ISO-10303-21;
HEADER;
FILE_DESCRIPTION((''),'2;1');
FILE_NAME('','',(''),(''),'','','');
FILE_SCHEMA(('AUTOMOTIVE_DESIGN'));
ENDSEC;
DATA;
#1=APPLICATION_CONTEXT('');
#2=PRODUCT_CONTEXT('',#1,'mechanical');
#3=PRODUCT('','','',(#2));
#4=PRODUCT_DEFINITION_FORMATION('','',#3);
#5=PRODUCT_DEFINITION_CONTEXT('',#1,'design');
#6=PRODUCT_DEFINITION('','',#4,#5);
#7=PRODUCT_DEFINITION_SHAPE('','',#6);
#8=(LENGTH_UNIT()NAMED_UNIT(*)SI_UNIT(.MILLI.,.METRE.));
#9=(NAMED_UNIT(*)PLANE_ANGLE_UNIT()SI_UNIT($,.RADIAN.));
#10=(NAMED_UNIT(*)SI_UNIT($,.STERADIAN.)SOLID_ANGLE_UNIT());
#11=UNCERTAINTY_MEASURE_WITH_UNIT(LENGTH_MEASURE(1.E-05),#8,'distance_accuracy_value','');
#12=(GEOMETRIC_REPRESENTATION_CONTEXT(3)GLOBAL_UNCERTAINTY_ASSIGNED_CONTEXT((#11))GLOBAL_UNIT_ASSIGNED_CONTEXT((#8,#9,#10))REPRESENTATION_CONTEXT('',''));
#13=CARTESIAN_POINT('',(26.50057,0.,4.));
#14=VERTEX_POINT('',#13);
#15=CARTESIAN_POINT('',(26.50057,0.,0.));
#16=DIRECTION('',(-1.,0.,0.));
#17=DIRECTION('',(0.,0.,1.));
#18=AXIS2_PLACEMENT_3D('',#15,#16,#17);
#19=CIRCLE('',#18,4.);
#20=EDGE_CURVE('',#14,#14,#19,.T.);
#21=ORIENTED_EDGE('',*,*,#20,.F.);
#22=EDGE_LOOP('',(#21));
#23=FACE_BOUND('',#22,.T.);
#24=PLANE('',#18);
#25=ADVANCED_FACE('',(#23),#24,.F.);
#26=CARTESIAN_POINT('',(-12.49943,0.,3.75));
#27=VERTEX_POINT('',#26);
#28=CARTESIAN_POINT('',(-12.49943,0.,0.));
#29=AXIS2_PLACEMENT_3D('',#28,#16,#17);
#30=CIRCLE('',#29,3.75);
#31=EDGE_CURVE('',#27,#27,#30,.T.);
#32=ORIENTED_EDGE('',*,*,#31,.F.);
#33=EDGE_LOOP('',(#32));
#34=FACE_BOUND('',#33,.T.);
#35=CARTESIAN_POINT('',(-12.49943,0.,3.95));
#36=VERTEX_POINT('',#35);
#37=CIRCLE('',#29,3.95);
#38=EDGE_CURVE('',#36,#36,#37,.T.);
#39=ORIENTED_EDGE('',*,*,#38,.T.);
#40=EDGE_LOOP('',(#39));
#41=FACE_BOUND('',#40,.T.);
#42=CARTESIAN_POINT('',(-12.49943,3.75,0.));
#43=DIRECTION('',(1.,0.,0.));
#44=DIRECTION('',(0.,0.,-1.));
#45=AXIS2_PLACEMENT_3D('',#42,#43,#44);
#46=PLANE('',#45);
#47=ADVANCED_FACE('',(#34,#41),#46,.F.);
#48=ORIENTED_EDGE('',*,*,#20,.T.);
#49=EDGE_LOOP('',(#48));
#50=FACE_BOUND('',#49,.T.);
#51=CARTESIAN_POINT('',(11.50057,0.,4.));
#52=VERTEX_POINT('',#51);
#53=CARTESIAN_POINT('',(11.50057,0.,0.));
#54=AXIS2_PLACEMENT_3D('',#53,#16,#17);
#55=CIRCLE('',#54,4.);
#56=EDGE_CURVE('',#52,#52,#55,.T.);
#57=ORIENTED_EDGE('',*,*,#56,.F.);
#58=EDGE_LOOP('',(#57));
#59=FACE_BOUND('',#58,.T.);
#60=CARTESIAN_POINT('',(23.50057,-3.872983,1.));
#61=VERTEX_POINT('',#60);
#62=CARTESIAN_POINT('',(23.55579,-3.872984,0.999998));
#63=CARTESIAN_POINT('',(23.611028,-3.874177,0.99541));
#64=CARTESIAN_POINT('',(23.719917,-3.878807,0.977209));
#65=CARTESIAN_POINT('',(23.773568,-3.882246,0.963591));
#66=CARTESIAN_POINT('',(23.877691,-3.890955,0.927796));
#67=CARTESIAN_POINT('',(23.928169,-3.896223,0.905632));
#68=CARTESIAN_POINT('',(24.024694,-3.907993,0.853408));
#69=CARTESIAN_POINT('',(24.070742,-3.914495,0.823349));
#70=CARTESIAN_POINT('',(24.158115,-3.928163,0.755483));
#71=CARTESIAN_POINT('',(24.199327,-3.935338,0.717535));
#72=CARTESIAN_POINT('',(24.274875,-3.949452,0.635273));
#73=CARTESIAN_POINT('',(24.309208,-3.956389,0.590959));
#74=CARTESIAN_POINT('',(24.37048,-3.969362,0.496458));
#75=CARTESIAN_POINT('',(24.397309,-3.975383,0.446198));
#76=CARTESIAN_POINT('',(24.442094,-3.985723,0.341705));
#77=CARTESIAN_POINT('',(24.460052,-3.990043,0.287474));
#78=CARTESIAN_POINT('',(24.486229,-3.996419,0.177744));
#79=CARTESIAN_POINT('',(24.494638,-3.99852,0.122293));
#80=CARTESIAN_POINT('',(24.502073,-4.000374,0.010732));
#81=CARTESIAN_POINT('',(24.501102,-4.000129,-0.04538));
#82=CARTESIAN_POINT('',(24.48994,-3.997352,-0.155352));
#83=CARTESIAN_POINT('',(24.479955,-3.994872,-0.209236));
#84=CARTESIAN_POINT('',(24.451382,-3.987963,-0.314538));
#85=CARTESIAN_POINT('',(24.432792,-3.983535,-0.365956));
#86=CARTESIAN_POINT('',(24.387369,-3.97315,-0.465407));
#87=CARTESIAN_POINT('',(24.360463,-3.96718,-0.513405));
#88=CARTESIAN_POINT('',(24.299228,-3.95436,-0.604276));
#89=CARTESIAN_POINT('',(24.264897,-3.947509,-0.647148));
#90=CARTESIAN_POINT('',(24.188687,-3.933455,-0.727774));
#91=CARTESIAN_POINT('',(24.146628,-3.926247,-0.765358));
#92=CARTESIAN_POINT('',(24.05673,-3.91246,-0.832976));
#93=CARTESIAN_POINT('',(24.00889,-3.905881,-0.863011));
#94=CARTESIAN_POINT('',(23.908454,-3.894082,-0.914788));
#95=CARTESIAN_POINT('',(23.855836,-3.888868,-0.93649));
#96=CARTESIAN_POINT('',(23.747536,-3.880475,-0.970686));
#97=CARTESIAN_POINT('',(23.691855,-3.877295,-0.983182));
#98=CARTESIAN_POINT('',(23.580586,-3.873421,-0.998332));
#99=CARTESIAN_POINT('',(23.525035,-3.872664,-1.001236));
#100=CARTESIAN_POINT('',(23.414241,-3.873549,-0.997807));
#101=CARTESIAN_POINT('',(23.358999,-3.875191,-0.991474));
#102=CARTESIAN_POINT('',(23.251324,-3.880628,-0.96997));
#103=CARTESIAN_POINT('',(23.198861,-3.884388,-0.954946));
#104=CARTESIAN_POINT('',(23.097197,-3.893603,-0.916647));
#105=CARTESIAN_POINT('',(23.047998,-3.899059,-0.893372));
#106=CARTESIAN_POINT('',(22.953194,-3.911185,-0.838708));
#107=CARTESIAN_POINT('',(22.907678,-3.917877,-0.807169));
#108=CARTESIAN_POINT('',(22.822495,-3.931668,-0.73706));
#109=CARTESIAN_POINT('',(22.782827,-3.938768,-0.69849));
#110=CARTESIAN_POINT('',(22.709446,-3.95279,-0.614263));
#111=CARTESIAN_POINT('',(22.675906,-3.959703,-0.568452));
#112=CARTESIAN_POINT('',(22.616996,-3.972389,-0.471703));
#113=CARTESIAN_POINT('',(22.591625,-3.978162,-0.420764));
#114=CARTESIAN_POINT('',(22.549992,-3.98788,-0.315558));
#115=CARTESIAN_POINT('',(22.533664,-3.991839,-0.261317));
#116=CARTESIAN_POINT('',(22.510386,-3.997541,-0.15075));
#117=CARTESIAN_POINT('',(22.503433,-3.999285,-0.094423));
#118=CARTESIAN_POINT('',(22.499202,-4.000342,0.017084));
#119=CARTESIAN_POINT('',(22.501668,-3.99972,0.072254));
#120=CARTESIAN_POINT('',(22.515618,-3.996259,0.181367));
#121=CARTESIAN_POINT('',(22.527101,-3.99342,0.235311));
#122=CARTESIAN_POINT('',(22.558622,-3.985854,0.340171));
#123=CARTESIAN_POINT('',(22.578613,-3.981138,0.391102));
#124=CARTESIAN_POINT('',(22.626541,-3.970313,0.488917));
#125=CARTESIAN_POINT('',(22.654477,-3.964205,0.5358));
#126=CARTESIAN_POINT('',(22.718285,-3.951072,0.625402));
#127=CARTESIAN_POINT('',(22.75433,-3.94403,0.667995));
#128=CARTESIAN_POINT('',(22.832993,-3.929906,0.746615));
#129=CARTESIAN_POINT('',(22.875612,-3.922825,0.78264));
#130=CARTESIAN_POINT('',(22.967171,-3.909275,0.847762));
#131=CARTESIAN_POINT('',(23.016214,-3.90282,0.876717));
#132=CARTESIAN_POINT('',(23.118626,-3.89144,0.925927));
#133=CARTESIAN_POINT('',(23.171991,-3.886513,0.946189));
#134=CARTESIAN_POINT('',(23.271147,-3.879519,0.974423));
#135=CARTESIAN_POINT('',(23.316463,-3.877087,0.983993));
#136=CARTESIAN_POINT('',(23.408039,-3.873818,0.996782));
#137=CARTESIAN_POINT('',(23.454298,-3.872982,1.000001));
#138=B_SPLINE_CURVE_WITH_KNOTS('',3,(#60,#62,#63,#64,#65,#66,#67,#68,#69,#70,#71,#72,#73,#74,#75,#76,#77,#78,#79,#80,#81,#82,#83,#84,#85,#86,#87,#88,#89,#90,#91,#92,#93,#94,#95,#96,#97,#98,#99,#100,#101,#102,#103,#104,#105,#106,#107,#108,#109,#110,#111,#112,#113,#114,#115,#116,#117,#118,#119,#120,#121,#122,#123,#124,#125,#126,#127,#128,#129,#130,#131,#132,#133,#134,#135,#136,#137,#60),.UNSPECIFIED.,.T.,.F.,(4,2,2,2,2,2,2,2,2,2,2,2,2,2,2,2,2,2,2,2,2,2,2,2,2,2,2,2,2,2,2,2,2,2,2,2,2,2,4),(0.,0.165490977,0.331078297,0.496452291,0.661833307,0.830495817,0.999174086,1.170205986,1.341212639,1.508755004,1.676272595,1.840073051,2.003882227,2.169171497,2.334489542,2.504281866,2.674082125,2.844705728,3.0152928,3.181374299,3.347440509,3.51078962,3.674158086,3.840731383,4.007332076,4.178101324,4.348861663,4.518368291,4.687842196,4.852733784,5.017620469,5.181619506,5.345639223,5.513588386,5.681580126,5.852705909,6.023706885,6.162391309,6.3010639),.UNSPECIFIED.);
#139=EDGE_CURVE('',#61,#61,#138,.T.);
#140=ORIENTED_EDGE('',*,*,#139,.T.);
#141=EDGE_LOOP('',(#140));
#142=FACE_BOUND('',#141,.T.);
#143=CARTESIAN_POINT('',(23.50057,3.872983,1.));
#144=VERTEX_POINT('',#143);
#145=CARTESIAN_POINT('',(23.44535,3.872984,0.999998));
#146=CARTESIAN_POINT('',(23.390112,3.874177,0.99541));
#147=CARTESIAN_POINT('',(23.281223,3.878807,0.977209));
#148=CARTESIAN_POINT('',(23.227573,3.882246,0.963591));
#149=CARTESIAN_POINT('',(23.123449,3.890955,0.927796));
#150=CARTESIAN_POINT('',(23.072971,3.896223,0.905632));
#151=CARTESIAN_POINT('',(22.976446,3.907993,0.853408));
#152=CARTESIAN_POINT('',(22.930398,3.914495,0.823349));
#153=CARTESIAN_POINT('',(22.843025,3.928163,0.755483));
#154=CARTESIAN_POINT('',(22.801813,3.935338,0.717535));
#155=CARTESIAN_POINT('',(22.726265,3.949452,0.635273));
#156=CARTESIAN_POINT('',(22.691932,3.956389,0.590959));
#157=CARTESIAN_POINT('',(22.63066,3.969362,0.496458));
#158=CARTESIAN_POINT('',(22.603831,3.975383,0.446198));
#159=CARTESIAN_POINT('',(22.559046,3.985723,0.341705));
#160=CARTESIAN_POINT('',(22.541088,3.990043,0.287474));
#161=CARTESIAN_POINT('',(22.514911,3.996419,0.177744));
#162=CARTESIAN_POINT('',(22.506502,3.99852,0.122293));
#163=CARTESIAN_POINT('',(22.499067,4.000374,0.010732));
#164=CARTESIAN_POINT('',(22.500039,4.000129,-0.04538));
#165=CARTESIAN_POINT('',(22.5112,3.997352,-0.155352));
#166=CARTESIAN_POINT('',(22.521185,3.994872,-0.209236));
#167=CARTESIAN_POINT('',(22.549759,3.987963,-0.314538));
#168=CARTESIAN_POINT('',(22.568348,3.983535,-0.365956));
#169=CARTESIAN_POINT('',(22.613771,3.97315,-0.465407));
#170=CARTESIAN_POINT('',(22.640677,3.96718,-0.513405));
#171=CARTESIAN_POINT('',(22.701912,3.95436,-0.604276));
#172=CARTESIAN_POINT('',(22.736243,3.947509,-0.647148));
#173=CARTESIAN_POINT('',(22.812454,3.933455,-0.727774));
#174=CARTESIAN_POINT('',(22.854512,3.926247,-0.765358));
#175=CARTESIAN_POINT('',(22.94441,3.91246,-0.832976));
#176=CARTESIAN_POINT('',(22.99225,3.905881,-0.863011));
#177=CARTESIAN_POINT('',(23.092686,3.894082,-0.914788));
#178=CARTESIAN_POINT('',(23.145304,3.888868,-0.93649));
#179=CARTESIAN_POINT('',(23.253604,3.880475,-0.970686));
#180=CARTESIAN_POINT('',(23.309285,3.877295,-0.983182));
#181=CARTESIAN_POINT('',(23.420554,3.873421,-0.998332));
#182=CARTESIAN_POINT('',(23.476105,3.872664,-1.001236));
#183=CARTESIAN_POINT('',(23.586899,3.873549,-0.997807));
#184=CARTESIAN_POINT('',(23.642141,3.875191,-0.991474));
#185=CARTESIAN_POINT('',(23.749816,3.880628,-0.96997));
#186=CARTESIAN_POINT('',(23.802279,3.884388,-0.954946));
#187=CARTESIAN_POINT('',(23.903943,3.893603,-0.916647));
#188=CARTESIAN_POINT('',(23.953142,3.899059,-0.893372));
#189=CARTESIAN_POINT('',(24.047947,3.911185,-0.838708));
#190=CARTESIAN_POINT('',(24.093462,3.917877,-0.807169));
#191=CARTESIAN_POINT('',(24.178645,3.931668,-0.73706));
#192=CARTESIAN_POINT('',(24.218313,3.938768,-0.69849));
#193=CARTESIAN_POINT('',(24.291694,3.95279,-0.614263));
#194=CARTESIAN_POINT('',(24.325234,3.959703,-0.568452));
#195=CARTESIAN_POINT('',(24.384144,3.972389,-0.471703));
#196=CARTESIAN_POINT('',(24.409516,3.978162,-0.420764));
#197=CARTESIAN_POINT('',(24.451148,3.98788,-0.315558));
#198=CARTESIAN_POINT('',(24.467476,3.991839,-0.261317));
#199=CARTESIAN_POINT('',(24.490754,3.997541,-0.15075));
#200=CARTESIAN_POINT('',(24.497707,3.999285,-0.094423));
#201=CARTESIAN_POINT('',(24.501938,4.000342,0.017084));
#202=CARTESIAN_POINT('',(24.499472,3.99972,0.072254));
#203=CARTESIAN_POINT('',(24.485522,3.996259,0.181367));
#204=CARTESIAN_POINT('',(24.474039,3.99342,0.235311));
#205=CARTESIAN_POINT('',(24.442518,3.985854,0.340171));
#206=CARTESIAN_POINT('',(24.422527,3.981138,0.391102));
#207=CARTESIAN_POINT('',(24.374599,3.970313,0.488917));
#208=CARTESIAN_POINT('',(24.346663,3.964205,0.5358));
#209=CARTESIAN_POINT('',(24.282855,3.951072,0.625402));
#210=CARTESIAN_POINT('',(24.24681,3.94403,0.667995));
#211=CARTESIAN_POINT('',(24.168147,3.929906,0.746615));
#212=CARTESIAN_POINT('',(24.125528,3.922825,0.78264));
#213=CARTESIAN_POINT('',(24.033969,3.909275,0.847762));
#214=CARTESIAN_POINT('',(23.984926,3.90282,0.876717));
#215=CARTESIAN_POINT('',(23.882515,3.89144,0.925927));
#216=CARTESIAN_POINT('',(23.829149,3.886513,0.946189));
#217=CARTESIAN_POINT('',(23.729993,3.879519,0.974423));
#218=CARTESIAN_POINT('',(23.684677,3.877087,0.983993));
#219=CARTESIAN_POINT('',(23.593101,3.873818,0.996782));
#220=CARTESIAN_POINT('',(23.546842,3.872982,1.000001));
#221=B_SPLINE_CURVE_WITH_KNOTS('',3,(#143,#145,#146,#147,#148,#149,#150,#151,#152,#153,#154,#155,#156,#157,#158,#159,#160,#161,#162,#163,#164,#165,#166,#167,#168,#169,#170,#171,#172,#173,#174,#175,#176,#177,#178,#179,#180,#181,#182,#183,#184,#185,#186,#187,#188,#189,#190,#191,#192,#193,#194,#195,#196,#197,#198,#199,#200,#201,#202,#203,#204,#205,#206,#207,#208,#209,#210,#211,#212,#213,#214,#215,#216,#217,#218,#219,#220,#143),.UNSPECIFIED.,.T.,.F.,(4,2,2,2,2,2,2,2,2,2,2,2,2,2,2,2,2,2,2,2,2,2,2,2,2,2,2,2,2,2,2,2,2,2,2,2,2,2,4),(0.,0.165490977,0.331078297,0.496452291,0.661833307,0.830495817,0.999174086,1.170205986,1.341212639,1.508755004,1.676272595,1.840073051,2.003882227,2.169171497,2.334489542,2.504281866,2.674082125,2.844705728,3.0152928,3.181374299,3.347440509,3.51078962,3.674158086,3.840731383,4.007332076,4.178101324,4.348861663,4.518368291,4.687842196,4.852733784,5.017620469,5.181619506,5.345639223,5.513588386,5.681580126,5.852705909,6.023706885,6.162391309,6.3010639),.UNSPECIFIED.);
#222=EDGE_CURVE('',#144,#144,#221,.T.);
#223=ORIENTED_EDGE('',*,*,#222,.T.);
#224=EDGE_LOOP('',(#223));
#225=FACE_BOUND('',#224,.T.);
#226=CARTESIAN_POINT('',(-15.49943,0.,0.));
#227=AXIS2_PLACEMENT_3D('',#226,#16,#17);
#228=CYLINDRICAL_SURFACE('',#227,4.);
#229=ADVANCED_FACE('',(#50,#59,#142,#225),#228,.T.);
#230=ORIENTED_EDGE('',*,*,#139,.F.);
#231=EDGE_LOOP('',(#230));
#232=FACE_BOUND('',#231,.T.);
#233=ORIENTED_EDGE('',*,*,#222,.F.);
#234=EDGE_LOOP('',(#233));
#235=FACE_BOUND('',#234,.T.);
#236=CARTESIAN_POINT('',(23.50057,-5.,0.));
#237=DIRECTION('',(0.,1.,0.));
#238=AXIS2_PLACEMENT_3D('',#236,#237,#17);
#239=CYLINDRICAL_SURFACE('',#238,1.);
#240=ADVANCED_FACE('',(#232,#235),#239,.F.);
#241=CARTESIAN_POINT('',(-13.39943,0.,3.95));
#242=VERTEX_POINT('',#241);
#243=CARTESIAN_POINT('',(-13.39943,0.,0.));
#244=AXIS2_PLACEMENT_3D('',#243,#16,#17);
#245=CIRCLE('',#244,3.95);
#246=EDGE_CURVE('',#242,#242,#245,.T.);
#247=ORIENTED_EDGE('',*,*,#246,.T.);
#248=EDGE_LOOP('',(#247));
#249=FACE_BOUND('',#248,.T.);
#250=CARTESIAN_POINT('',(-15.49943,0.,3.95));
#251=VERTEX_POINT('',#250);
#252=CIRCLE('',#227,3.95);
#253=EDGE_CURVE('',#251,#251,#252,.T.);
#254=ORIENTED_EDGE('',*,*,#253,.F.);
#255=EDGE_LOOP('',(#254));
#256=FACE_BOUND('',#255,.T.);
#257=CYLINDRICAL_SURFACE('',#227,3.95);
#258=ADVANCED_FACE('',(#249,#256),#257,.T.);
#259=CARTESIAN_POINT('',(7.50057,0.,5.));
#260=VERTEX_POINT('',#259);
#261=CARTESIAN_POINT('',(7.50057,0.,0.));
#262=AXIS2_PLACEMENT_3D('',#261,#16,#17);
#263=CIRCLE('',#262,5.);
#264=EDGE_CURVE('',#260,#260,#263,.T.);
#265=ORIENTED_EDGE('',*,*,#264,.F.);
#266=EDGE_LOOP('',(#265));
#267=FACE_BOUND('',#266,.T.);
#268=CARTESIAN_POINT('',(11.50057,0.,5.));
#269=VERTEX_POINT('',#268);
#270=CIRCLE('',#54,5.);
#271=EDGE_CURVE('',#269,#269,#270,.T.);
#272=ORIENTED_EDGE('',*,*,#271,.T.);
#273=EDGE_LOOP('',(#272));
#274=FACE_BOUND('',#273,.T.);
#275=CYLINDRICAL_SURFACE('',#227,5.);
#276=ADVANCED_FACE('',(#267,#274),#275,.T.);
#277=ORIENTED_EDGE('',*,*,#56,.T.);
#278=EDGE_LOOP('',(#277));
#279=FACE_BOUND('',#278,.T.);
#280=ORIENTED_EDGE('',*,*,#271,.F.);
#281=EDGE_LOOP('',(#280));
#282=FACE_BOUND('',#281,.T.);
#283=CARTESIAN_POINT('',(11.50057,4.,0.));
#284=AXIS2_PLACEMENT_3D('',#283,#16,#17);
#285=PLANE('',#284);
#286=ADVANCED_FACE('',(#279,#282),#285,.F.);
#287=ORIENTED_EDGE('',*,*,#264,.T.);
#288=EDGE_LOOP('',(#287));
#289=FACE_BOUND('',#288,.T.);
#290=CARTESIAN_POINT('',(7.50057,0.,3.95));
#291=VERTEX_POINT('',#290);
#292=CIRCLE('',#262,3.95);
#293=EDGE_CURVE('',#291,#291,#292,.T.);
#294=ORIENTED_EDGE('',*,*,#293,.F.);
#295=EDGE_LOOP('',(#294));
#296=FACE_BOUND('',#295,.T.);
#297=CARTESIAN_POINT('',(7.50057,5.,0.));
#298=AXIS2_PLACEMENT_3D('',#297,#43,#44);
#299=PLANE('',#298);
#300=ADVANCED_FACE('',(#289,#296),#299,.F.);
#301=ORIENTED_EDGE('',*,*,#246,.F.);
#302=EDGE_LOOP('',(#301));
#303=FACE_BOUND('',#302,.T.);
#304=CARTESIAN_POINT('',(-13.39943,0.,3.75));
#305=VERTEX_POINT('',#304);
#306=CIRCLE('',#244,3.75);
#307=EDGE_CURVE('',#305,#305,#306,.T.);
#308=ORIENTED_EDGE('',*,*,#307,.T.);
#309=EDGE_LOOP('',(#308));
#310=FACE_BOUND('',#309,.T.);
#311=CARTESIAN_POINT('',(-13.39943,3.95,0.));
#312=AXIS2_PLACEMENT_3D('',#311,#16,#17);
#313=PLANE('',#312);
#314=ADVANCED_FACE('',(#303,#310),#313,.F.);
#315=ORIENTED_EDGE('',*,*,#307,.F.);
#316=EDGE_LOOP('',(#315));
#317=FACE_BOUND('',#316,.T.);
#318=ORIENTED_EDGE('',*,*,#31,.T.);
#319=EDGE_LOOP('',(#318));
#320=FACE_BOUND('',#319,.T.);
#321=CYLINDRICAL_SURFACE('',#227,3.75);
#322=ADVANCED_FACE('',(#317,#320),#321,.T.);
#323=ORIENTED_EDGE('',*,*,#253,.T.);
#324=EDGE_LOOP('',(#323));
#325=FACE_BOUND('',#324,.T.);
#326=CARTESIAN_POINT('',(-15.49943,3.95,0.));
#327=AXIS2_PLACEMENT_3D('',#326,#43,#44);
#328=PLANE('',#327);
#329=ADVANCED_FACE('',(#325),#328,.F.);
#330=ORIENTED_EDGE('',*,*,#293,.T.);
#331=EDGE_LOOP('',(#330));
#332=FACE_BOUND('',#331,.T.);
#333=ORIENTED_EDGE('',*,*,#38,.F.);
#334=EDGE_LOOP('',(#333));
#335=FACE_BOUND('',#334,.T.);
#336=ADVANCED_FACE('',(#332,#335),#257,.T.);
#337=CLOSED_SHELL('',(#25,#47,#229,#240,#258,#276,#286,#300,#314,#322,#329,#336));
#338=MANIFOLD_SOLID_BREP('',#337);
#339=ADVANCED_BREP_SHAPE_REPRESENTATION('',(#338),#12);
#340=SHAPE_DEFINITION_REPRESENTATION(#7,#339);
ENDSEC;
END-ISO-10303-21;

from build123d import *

# Parameters (mm, degrees)
SKETCH_2_R          = 1
CUT_EXTRUDE_1_DEPTH = 5


with BuildPart() as part:
    # 草图1 → 旋转1 (revolve)
    with BuildSketch(Plane.XY):
        Polygon((-15.499429975, 0), (26.500570025, 0), (26.500570025, 4), (11.500570025, 4), (11.500570025, 5), (7.500570025, 5), (7.500570025, 3.95), (-12.499429975, 3.95), (-12.499429975, 3.75), (-13.399429975, 3.75), (-13.399429975, 3.95), (-15.499429975, 3.95), align=None)
    revolve(axis=Axis((-15.499429975, 0, 0), (1, 0, 0)))

    # 草图2 → 切除-拉伸1 (cut, symmetric)
    with BuildSketch(Plane(origin=(0, 0, 0), x_dir=(1, 0, 0), z_dir=(0, 1, 0))):
        with Locations((23.500570025, 0)):
            Circle(SKETCH_2_R)
    extrude(amount=CUT_EXTRUDE_1_DEPTH, both=True, mode=Mode.SUBTRACT)


solid = part.part
